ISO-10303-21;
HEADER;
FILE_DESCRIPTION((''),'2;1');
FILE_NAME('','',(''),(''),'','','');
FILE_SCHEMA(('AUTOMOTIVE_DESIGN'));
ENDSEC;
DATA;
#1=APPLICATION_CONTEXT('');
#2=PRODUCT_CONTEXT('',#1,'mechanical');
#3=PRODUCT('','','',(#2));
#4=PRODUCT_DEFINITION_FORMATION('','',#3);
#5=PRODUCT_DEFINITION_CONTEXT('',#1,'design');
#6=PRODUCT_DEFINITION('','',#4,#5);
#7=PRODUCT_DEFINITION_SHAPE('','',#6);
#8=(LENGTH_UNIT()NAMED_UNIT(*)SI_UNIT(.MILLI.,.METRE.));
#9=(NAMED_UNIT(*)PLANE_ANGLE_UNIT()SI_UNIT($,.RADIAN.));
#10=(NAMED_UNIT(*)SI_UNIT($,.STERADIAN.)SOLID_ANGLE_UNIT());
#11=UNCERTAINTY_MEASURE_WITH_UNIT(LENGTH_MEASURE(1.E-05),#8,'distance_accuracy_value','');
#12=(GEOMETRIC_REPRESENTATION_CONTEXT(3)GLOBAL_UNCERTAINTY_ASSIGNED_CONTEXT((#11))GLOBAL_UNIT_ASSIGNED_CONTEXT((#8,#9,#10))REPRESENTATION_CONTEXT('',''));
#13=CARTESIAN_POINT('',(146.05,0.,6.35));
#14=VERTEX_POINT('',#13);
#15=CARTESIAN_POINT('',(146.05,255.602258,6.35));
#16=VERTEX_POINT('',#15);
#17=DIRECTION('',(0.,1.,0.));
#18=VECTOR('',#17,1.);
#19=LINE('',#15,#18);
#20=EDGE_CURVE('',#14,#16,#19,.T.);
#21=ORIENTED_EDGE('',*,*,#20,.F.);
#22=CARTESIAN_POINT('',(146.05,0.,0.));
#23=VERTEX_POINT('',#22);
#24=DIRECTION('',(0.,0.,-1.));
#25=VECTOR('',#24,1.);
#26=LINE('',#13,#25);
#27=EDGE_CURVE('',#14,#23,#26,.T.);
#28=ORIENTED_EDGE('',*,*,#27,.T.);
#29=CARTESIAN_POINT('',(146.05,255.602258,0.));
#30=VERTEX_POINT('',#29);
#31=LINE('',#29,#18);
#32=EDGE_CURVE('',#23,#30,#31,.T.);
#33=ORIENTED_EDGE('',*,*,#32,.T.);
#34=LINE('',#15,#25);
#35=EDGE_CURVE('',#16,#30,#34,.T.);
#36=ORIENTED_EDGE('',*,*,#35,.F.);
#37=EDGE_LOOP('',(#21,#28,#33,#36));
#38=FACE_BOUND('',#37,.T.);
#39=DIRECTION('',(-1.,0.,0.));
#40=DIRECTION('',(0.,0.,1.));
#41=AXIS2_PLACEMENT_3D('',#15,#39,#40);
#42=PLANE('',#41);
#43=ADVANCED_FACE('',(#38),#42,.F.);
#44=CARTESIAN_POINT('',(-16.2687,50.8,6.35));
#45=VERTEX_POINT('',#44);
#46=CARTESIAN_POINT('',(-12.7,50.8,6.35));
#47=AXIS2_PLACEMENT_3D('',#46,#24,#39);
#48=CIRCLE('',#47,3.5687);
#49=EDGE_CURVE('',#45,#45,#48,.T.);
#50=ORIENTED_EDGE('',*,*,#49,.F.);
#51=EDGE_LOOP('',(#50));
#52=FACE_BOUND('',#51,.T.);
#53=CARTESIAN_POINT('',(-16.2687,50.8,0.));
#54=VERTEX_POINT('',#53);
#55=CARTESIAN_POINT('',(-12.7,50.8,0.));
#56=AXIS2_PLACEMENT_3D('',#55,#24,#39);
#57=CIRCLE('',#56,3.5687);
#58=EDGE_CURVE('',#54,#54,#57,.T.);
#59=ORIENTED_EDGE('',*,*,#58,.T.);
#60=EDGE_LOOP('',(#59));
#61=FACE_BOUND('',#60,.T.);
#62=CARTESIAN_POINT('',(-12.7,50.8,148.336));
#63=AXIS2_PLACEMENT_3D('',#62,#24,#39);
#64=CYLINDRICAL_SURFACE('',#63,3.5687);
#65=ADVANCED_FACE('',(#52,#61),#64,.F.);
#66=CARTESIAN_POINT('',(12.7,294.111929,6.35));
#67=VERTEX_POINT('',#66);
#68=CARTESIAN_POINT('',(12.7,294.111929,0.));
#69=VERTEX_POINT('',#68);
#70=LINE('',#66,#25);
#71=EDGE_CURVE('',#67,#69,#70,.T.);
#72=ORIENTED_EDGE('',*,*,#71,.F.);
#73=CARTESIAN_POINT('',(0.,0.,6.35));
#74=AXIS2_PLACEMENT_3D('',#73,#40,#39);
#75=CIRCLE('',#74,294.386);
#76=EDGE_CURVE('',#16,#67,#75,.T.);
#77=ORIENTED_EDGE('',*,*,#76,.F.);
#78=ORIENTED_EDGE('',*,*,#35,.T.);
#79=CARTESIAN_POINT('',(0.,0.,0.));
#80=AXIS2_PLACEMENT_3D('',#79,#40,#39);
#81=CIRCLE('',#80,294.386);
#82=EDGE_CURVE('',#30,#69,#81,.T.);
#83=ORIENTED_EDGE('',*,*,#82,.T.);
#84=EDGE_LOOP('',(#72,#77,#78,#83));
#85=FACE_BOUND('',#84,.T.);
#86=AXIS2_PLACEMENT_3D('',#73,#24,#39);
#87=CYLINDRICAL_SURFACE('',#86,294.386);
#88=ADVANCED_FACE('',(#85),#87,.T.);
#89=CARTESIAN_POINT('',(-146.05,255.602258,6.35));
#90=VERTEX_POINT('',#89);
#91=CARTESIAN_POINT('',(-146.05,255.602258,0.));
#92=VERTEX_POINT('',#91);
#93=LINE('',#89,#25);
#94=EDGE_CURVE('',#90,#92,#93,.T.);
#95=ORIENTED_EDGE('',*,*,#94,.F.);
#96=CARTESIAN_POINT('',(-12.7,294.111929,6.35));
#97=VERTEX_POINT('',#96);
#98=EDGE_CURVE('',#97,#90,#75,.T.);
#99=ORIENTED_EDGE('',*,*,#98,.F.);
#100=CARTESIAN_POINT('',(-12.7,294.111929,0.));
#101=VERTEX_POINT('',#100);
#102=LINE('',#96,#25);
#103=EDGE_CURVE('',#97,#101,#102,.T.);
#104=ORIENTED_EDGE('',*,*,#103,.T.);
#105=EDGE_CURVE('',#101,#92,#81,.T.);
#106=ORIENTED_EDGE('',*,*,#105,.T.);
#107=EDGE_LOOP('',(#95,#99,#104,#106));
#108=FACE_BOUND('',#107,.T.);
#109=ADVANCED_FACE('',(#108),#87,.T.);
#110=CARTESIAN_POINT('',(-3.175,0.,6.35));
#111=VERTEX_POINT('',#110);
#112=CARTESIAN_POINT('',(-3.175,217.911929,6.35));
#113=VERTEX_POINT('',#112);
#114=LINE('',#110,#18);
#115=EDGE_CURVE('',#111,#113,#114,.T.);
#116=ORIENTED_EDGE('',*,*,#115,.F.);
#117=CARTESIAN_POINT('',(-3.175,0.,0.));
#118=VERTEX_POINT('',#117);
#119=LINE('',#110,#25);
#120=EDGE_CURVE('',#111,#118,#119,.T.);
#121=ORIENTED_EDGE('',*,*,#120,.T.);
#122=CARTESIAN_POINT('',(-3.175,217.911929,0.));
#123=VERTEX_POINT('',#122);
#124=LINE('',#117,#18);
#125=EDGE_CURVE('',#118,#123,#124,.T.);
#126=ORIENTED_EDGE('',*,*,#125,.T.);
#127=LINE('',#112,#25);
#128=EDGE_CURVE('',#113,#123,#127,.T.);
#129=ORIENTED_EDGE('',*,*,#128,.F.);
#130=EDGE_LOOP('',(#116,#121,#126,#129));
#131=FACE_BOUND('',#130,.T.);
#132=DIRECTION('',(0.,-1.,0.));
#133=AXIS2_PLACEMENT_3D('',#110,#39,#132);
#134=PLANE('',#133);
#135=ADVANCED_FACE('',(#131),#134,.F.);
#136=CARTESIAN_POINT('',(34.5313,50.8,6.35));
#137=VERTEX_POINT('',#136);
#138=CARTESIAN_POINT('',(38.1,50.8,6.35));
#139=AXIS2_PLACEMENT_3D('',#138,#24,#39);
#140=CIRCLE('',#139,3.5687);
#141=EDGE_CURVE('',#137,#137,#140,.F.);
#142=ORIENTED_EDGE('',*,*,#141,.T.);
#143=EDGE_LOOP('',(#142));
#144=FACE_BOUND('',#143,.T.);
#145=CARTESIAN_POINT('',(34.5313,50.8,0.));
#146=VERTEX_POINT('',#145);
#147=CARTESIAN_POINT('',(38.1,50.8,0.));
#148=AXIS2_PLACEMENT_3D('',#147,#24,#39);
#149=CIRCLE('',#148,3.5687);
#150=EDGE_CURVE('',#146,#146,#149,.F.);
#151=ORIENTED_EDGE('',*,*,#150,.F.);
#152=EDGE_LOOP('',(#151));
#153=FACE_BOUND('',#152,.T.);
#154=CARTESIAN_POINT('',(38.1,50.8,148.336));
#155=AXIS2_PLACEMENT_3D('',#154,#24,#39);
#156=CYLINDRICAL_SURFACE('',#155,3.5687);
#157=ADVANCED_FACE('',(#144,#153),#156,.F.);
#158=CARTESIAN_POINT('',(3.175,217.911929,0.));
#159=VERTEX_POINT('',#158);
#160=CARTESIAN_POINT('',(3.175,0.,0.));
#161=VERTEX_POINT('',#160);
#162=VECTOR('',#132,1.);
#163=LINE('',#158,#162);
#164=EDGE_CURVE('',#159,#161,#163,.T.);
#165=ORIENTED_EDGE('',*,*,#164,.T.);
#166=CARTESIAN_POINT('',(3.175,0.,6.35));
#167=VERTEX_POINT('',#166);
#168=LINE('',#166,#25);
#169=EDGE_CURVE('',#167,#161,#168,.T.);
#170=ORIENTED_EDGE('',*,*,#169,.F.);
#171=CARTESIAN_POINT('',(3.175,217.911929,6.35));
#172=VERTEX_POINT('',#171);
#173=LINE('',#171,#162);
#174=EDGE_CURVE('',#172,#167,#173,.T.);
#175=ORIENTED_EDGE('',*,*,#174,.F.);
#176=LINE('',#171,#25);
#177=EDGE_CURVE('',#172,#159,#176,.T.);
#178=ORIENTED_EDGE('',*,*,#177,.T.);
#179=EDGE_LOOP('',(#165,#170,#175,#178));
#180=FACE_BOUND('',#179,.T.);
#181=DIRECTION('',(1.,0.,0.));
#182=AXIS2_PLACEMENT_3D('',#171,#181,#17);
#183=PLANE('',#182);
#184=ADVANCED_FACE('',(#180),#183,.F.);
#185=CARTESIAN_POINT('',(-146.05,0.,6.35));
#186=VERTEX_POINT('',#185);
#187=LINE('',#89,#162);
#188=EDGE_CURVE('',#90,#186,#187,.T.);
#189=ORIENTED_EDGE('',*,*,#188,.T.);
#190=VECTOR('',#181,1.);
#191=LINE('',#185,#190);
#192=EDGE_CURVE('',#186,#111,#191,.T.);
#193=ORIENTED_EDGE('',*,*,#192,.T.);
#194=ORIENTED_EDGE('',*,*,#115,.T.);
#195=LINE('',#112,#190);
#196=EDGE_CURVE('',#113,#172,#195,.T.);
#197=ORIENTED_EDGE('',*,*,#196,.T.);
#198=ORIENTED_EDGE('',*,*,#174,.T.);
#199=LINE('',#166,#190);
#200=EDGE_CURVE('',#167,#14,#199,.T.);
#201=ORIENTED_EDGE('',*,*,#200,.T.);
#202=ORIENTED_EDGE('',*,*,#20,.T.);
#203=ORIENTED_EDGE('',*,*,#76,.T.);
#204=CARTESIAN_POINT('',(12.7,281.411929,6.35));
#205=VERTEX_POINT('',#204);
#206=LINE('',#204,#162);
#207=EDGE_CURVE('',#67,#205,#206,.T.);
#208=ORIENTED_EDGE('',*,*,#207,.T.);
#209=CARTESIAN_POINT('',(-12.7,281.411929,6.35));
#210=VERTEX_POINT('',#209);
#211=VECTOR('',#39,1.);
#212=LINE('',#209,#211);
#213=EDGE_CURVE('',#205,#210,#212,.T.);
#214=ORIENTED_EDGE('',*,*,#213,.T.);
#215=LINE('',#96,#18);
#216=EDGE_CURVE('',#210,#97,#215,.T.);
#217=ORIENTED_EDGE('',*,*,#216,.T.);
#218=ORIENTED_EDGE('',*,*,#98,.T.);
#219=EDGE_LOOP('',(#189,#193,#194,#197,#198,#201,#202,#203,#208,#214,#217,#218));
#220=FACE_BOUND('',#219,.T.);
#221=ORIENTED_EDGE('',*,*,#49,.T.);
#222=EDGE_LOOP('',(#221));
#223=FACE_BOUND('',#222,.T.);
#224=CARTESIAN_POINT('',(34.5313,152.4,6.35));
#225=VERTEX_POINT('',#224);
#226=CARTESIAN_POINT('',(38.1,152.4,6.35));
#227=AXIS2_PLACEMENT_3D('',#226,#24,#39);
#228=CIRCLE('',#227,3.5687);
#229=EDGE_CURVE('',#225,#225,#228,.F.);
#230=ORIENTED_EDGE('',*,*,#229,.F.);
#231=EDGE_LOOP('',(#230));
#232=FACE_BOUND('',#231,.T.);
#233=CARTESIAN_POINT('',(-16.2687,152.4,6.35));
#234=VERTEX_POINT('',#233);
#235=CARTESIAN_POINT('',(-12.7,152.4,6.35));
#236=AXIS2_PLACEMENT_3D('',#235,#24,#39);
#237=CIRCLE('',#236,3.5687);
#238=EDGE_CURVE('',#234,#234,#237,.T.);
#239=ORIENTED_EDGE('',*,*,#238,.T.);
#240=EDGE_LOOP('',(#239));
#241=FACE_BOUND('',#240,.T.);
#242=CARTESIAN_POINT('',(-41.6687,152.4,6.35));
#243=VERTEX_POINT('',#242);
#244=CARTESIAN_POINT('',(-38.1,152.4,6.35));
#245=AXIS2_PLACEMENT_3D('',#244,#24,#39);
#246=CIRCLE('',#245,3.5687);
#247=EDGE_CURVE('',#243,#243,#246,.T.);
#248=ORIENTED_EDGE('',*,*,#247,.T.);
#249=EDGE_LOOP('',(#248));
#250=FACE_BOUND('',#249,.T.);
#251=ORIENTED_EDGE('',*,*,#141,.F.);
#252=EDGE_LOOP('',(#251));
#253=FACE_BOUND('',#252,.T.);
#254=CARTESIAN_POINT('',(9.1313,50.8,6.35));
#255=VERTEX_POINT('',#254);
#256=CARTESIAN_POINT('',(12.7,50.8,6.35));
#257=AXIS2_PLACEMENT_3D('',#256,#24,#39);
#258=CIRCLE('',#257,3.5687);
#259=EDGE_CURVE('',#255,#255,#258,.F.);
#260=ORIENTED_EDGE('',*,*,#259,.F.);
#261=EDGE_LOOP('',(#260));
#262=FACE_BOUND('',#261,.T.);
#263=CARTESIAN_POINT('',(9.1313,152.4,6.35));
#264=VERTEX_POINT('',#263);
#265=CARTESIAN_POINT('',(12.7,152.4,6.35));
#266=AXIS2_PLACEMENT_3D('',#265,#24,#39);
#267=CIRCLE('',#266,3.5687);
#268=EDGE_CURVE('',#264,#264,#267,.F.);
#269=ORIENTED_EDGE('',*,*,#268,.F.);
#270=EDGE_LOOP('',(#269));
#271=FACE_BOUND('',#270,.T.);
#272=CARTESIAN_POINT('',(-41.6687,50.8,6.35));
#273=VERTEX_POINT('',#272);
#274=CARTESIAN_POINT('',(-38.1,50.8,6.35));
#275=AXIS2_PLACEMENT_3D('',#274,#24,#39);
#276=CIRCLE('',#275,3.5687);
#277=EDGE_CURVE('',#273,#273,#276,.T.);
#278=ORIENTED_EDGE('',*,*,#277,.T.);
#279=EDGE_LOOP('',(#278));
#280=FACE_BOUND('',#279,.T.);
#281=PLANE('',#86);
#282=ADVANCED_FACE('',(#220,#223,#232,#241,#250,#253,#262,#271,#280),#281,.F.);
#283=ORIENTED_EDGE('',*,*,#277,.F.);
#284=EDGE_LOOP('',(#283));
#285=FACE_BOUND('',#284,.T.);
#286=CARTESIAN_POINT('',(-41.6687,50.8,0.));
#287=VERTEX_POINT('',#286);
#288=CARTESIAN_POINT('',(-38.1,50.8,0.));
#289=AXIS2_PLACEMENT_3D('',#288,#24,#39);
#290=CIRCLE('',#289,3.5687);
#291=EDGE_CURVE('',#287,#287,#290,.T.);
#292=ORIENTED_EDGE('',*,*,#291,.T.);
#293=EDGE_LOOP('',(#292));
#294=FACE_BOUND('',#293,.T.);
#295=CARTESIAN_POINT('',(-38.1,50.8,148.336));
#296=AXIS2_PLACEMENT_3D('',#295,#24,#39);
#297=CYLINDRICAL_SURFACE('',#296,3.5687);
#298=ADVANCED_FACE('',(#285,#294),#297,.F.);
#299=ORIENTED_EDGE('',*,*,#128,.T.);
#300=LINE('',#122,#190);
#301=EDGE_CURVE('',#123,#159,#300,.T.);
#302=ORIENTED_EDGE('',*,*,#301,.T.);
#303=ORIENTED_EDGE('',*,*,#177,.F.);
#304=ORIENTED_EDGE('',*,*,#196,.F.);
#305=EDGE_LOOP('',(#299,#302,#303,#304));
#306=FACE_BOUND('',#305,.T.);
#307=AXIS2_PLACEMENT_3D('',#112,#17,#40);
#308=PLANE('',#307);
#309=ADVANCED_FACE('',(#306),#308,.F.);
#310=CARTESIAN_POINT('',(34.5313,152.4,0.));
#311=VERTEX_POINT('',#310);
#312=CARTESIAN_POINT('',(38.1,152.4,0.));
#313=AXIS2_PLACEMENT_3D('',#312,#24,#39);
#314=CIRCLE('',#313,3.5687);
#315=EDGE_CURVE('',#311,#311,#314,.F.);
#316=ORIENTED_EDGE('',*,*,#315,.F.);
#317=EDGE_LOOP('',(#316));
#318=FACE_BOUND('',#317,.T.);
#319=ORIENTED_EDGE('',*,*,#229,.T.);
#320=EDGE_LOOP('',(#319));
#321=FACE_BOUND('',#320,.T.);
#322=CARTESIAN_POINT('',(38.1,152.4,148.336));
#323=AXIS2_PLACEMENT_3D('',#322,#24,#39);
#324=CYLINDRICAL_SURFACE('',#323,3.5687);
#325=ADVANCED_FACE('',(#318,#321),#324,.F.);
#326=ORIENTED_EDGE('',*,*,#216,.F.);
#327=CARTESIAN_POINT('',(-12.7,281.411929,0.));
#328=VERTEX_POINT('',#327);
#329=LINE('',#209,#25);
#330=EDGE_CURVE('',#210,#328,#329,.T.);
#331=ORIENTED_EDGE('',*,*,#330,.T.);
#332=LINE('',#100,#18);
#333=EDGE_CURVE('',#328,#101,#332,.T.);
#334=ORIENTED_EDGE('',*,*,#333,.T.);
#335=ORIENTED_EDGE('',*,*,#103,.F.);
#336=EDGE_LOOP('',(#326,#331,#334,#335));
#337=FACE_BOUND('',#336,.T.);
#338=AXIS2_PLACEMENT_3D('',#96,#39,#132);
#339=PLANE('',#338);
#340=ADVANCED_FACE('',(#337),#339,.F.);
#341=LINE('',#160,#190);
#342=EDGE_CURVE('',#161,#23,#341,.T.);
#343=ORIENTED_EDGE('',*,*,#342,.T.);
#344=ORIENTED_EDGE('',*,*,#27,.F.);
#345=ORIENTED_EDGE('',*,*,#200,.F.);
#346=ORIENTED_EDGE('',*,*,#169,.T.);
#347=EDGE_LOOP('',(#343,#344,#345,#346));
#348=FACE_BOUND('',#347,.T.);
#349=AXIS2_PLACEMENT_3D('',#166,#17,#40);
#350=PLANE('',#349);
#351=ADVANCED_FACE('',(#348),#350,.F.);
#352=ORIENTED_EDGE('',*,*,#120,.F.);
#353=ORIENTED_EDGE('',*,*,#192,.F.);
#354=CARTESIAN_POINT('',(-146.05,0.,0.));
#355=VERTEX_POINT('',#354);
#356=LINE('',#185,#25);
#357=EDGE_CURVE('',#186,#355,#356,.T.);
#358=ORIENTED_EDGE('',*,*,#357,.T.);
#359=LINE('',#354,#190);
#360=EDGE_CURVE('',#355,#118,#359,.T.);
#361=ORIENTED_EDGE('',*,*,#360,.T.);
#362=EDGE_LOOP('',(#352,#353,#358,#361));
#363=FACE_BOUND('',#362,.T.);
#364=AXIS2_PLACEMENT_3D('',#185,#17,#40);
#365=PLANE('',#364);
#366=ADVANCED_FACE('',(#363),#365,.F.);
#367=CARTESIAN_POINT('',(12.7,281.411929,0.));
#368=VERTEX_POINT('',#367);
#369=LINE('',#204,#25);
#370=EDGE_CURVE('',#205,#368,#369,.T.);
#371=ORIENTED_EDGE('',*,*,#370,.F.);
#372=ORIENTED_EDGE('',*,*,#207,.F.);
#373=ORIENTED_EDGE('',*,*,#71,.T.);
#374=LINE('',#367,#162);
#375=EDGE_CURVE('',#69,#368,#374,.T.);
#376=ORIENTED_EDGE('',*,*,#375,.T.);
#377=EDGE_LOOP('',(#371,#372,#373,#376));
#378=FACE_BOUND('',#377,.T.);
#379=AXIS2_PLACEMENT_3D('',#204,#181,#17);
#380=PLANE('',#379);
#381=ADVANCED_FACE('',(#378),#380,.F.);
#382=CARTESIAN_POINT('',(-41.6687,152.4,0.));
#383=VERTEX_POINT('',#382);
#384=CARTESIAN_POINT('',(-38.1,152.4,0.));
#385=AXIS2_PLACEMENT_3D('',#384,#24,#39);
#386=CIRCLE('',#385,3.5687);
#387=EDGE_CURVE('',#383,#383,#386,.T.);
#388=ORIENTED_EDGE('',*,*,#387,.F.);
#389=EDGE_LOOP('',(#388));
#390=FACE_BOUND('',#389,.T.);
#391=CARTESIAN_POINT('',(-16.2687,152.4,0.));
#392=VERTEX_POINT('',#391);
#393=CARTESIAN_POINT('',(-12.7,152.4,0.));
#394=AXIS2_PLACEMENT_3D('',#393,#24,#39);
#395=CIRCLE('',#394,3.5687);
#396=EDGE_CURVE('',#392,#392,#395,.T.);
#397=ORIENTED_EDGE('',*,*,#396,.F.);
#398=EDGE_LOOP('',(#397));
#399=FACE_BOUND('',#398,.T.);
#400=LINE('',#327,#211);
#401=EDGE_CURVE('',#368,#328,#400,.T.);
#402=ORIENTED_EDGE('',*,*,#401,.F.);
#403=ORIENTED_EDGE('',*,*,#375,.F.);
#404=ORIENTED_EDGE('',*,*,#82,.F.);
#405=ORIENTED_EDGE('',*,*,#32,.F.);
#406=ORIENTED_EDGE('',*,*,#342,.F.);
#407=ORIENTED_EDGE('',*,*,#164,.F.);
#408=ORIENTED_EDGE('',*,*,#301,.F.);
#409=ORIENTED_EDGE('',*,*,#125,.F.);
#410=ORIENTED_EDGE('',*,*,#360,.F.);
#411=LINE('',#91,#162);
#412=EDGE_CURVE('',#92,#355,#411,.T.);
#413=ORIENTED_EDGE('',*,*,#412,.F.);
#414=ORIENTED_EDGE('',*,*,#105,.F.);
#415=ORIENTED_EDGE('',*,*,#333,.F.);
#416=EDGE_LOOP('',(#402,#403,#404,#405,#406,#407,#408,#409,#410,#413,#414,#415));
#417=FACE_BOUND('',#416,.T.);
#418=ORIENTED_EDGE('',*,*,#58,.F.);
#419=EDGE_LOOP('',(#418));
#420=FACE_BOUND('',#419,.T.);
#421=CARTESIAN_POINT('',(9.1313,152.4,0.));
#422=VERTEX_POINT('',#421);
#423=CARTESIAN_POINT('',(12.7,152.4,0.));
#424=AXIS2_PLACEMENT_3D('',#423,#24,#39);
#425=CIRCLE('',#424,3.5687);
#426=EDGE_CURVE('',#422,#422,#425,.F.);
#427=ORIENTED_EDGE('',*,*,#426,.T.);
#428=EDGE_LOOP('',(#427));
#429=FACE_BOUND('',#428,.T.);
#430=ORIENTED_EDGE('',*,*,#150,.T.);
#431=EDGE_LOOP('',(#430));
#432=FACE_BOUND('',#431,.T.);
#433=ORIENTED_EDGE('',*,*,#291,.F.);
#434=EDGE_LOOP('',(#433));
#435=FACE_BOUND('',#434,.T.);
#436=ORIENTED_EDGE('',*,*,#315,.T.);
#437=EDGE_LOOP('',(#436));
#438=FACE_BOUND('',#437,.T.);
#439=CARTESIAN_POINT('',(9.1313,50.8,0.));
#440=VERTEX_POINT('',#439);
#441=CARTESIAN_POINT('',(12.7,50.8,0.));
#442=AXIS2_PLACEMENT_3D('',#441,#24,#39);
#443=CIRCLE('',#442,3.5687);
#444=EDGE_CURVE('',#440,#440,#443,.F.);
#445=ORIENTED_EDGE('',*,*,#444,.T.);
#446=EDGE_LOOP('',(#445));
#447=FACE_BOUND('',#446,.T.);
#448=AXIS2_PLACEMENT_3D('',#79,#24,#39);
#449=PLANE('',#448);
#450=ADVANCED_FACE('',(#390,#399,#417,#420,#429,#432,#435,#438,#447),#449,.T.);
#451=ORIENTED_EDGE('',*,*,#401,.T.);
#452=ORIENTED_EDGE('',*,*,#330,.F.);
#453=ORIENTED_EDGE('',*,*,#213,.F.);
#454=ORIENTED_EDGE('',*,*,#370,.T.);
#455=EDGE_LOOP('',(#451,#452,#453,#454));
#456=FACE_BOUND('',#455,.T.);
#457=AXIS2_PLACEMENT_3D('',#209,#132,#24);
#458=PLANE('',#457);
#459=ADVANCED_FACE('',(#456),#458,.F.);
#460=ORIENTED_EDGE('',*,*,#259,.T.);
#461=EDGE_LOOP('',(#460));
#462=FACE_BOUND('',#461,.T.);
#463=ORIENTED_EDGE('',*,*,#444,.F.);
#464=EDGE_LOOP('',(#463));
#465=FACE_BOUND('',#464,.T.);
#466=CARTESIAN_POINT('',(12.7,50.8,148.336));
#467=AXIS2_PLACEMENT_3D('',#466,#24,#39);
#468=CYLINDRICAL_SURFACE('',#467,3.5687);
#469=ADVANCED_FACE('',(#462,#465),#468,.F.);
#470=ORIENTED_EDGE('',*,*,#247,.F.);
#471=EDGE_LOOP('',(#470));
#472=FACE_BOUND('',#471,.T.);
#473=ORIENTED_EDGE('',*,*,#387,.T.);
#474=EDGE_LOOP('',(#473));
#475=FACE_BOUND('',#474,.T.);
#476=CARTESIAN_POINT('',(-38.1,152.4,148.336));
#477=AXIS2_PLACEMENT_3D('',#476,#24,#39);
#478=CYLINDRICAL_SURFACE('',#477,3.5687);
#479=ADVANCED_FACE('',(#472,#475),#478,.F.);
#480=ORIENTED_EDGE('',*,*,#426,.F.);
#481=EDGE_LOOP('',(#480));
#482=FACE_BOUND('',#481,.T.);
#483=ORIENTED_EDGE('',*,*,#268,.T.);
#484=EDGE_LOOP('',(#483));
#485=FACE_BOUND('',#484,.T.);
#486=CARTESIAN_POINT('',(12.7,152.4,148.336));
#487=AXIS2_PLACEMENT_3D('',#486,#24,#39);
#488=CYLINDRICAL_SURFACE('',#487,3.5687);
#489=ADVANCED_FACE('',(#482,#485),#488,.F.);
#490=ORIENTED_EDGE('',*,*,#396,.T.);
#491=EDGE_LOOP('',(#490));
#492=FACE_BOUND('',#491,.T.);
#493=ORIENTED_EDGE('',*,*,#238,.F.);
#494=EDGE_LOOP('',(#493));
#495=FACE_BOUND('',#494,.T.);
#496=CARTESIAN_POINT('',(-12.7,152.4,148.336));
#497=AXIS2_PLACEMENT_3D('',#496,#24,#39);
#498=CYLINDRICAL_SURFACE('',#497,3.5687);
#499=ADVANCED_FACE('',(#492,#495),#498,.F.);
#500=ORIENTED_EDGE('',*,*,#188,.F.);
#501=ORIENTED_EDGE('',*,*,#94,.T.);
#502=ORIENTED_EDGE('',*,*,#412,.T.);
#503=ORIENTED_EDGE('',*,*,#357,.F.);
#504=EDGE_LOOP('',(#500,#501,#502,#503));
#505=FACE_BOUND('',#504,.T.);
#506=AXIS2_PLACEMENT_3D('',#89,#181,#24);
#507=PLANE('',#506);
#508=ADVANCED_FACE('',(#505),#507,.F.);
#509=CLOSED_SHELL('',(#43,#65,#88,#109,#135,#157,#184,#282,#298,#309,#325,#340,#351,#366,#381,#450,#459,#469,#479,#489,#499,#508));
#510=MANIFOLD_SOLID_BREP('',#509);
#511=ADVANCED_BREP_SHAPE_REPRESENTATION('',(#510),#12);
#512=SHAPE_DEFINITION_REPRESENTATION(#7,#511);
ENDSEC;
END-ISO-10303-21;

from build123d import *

# Parameters (mm, degrees)
BOSS_EXTRUDE2_DEPTH     = 6.35
CUT_EXTRUDE3_DEPTH      = 148.336
CUT_EXTRUDE3_DEPTH_BACK = 93.472
SKETCH3_R               = 3.5687


with BuildPart() as part:
    # Sketch2 → Boss-Extrude2 (new body)
    with BuildSketch(Plane.XY):
        with BuildLine():
            Line((-3.175, 0), (-3.175, 217.911929367))
            Line((-3.175, 217.911929367), (3.175, 217.911929367))
            Line((3.175, 217.911929367), (3.175, 0))
            Line((3.175, 0), (146.05, 0))
            Line((146.05, 0), (146.05, 255.602258394))
            ThreePointArc((146.05, 255.602258394), (81.677042764, 282.828530529), (12.7, 294.111929367))
            Line((12.7, 294.111929367), (12.7, 281.411929367))
            Line((12.7, 281.411929367), (-12.7, 281.411929367))
            Line((-12.7, 281.411929367), (-12.7, 294.111929367))
            ThreePointArc((-12.7, 294.111929367), (-81.677042764, 282.828530529), (-146.05, 255.602258394))
            Line((-146.05, 255.602258394), (-146.05, 0))
            Line((-146.05, 0), (-3.175, 0))
        make_face()
    extrude(amount=BOSS_EXTRUDE2_DEPTH)

    # Sketch3 → Cut-Extrude3 (cut, two sides: drawn at the far end of the back side and taken through both)
    with BuildSketch(Plane.XY.offset(-CUT_EXTRUDE3_DEPTH_BACK)):
        with Locations(Location((12.7, 50.8, 0), (0, 0, 180))):
            Circle(SKETCH3_R)
        with Locations(Location((38.1, 50.8, 0), (0, 0, 180))):
            Circle(SKETCH3_R)
        with Locations(Location((12.7, 152.4, 0), (0, 0, 180))):
            Circle(SKETCH3_R)
        with Locations(Location((38.1, 152.4, 0), (0, 0, 180))):
            Circle(SKETCH3_R)
        with Locations(Location((-12.7, 50.8, 0), (0, 0, 180))):
            Circle(SKETCH3_R)
        with Locations(Location((-38.1, 50.8, 0), (0, 0, 180))):
            Circle(SKETCH3_R)
        with Locations(Location((-38.1, 152.4, 0), (0, 0, 180))):
            Circle(SKETCH3_R)
        with Locations(Location((-12.7, 152.4, 0), (0, 0, 180))):
            Circle(SKETCH3_R)
    extrude(amount=CUT_EXTRUDE3_DEPTH + CUT_EXTRUDE3_DEPTH_BACK, mode=Mode.SUBTRACT)


solid = part.part
